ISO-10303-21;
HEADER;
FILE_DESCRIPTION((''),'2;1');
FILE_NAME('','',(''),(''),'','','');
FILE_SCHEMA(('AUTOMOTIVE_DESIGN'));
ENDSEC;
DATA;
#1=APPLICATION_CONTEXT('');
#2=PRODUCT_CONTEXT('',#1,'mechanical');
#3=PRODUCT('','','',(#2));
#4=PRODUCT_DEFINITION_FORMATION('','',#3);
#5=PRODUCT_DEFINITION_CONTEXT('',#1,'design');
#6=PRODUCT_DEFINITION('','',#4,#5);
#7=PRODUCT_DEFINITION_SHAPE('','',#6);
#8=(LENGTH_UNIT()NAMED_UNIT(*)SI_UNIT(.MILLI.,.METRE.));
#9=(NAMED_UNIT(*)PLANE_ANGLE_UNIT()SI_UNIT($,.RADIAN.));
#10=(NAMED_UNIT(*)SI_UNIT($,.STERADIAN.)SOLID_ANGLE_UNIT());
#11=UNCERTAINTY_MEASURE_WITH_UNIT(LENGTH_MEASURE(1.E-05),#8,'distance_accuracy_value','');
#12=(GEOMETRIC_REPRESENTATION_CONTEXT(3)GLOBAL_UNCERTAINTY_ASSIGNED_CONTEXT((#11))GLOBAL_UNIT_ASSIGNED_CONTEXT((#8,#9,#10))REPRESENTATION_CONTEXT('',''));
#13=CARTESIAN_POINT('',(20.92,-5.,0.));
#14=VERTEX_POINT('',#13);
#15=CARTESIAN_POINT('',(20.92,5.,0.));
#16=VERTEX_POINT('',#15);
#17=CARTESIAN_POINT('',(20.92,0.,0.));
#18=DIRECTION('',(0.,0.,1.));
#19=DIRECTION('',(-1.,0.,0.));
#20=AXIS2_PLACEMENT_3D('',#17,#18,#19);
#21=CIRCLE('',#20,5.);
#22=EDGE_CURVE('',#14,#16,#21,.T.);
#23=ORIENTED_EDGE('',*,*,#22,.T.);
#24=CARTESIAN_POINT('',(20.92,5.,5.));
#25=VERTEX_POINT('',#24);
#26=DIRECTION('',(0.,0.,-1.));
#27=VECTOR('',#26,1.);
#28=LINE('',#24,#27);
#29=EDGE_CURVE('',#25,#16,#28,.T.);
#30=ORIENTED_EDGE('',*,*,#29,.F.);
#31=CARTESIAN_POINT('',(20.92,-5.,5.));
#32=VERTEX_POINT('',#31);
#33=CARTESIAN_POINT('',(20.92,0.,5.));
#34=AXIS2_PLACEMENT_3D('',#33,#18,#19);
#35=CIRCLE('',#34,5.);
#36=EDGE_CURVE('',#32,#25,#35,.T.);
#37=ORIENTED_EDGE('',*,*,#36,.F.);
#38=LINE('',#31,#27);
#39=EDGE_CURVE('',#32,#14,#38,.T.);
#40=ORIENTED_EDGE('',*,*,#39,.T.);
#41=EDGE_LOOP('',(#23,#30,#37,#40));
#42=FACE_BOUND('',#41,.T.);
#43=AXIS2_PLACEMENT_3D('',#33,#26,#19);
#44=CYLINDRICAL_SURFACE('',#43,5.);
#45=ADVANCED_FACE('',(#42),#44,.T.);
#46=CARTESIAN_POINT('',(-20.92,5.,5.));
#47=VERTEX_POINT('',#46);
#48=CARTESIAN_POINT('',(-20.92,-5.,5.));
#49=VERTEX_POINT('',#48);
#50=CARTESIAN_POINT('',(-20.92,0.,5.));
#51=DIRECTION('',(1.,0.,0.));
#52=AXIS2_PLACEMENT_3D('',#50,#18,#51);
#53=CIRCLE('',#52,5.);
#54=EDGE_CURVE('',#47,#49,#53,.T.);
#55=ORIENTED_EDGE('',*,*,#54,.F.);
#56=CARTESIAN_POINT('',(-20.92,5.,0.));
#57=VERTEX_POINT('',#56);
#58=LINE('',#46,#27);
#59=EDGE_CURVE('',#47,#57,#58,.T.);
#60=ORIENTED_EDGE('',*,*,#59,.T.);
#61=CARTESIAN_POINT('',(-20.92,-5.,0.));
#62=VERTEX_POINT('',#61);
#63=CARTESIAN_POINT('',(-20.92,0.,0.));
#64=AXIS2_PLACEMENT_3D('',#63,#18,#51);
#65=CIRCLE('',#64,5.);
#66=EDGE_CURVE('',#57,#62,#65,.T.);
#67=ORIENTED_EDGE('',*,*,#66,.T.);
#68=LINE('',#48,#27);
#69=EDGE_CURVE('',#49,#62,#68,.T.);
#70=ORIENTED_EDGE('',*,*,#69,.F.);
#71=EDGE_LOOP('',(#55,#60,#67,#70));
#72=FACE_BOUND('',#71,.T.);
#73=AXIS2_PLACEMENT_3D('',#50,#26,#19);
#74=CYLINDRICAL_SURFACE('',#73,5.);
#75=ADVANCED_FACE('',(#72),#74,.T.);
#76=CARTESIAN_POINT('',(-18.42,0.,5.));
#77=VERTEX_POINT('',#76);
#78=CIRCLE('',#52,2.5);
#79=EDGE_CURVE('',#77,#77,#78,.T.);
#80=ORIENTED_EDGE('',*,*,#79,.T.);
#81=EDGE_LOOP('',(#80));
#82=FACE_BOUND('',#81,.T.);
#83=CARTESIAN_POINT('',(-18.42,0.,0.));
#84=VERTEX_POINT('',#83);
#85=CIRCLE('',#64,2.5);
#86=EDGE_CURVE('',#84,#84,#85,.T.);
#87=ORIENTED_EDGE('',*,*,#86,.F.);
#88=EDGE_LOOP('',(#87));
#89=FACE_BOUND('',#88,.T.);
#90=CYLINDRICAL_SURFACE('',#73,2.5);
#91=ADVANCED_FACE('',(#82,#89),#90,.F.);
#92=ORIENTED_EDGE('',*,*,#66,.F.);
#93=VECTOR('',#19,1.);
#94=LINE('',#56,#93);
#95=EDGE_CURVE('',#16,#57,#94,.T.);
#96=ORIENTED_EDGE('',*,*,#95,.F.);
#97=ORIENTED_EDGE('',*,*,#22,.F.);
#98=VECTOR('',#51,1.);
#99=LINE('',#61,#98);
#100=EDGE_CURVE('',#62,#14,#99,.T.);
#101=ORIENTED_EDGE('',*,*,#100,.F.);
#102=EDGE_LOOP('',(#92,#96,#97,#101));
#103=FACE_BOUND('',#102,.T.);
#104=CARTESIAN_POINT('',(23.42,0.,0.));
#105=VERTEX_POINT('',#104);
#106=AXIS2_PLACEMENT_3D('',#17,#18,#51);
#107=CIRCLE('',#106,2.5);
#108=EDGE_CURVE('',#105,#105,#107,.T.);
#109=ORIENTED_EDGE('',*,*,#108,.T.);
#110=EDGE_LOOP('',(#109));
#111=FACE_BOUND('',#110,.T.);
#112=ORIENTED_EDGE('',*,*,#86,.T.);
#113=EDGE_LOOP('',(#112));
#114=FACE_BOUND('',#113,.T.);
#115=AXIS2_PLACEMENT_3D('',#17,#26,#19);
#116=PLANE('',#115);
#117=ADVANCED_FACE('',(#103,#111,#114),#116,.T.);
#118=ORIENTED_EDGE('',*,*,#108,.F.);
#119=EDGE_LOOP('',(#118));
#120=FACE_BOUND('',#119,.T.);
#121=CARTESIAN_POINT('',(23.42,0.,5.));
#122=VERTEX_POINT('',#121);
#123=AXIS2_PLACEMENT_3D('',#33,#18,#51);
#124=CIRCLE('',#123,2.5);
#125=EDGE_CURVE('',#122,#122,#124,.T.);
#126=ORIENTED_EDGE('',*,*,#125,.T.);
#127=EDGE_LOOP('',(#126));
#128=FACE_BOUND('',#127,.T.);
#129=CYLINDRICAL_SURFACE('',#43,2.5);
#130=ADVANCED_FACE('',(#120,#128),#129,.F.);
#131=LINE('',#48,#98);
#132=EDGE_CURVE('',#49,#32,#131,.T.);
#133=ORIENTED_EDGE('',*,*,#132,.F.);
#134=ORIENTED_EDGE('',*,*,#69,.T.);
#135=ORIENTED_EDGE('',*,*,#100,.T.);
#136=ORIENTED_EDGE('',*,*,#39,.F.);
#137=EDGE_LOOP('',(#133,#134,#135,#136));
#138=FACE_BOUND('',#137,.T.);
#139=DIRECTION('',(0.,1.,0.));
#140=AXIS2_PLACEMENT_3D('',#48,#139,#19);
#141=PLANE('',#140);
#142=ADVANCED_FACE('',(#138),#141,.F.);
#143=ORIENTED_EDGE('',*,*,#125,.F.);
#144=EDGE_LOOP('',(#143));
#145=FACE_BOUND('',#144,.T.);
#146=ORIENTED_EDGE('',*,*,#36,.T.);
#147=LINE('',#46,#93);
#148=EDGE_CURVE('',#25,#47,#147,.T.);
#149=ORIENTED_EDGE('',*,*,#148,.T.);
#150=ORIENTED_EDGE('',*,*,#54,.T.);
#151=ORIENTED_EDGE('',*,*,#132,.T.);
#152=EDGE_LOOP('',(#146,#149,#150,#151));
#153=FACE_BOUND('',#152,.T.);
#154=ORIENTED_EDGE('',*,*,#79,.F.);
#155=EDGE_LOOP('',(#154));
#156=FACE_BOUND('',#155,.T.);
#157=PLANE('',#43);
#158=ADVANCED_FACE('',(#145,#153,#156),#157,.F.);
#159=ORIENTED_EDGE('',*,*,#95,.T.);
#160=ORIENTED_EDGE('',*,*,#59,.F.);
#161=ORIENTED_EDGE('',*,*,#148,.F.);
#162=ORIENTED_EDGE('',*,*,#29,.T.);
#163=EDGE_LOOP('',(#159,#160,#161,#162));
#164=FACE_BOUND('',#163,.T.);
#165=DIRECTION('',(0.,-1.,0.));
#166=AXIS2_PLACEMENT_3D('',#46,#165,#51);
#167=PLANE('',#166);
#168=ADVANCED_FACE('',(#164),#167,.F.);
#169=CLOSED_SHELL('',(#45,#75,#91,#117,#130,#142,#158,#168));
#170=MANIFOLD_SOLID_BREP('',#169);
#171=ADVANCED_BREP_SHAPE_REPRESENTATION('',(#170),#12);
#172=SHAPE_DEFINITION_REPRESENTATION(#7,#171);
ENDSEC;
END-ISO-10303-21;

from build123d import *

# Parameters (mm, degrees)
ESBO_O1_R                = 2.5
RESSALTO_EXTRUS_O1_DEPTH = 5


with BuildPart() as part:
    # Esboço1 → Ressalto-extrusão1 (new body)
    with BuildSketch(Plane.XY):
        with BuildLine():
            Line((-20.92, 5), (20.92, 5))
            ThreePointArc((20.92, 5), (25.92, 0), (20.92, -5))
            Line((20.92, -5), (-20.92, -5))
            ThreePointArc((-20.92, -5), (-25.92, 0), (-20.92, 5))
        make_face()
        with Locations((-20.92, 0)):
            Circle(ESBO_O1_R, mode=Mode.SUBTRACT)
        with Locations((20.92, 0)):
            Circle(ESBO_O1_R, mode=Mode.SUBTRACT)
    extrude(amount=RESSALTO_EXTRUS_O1_DEPTH)


solid = part.part
